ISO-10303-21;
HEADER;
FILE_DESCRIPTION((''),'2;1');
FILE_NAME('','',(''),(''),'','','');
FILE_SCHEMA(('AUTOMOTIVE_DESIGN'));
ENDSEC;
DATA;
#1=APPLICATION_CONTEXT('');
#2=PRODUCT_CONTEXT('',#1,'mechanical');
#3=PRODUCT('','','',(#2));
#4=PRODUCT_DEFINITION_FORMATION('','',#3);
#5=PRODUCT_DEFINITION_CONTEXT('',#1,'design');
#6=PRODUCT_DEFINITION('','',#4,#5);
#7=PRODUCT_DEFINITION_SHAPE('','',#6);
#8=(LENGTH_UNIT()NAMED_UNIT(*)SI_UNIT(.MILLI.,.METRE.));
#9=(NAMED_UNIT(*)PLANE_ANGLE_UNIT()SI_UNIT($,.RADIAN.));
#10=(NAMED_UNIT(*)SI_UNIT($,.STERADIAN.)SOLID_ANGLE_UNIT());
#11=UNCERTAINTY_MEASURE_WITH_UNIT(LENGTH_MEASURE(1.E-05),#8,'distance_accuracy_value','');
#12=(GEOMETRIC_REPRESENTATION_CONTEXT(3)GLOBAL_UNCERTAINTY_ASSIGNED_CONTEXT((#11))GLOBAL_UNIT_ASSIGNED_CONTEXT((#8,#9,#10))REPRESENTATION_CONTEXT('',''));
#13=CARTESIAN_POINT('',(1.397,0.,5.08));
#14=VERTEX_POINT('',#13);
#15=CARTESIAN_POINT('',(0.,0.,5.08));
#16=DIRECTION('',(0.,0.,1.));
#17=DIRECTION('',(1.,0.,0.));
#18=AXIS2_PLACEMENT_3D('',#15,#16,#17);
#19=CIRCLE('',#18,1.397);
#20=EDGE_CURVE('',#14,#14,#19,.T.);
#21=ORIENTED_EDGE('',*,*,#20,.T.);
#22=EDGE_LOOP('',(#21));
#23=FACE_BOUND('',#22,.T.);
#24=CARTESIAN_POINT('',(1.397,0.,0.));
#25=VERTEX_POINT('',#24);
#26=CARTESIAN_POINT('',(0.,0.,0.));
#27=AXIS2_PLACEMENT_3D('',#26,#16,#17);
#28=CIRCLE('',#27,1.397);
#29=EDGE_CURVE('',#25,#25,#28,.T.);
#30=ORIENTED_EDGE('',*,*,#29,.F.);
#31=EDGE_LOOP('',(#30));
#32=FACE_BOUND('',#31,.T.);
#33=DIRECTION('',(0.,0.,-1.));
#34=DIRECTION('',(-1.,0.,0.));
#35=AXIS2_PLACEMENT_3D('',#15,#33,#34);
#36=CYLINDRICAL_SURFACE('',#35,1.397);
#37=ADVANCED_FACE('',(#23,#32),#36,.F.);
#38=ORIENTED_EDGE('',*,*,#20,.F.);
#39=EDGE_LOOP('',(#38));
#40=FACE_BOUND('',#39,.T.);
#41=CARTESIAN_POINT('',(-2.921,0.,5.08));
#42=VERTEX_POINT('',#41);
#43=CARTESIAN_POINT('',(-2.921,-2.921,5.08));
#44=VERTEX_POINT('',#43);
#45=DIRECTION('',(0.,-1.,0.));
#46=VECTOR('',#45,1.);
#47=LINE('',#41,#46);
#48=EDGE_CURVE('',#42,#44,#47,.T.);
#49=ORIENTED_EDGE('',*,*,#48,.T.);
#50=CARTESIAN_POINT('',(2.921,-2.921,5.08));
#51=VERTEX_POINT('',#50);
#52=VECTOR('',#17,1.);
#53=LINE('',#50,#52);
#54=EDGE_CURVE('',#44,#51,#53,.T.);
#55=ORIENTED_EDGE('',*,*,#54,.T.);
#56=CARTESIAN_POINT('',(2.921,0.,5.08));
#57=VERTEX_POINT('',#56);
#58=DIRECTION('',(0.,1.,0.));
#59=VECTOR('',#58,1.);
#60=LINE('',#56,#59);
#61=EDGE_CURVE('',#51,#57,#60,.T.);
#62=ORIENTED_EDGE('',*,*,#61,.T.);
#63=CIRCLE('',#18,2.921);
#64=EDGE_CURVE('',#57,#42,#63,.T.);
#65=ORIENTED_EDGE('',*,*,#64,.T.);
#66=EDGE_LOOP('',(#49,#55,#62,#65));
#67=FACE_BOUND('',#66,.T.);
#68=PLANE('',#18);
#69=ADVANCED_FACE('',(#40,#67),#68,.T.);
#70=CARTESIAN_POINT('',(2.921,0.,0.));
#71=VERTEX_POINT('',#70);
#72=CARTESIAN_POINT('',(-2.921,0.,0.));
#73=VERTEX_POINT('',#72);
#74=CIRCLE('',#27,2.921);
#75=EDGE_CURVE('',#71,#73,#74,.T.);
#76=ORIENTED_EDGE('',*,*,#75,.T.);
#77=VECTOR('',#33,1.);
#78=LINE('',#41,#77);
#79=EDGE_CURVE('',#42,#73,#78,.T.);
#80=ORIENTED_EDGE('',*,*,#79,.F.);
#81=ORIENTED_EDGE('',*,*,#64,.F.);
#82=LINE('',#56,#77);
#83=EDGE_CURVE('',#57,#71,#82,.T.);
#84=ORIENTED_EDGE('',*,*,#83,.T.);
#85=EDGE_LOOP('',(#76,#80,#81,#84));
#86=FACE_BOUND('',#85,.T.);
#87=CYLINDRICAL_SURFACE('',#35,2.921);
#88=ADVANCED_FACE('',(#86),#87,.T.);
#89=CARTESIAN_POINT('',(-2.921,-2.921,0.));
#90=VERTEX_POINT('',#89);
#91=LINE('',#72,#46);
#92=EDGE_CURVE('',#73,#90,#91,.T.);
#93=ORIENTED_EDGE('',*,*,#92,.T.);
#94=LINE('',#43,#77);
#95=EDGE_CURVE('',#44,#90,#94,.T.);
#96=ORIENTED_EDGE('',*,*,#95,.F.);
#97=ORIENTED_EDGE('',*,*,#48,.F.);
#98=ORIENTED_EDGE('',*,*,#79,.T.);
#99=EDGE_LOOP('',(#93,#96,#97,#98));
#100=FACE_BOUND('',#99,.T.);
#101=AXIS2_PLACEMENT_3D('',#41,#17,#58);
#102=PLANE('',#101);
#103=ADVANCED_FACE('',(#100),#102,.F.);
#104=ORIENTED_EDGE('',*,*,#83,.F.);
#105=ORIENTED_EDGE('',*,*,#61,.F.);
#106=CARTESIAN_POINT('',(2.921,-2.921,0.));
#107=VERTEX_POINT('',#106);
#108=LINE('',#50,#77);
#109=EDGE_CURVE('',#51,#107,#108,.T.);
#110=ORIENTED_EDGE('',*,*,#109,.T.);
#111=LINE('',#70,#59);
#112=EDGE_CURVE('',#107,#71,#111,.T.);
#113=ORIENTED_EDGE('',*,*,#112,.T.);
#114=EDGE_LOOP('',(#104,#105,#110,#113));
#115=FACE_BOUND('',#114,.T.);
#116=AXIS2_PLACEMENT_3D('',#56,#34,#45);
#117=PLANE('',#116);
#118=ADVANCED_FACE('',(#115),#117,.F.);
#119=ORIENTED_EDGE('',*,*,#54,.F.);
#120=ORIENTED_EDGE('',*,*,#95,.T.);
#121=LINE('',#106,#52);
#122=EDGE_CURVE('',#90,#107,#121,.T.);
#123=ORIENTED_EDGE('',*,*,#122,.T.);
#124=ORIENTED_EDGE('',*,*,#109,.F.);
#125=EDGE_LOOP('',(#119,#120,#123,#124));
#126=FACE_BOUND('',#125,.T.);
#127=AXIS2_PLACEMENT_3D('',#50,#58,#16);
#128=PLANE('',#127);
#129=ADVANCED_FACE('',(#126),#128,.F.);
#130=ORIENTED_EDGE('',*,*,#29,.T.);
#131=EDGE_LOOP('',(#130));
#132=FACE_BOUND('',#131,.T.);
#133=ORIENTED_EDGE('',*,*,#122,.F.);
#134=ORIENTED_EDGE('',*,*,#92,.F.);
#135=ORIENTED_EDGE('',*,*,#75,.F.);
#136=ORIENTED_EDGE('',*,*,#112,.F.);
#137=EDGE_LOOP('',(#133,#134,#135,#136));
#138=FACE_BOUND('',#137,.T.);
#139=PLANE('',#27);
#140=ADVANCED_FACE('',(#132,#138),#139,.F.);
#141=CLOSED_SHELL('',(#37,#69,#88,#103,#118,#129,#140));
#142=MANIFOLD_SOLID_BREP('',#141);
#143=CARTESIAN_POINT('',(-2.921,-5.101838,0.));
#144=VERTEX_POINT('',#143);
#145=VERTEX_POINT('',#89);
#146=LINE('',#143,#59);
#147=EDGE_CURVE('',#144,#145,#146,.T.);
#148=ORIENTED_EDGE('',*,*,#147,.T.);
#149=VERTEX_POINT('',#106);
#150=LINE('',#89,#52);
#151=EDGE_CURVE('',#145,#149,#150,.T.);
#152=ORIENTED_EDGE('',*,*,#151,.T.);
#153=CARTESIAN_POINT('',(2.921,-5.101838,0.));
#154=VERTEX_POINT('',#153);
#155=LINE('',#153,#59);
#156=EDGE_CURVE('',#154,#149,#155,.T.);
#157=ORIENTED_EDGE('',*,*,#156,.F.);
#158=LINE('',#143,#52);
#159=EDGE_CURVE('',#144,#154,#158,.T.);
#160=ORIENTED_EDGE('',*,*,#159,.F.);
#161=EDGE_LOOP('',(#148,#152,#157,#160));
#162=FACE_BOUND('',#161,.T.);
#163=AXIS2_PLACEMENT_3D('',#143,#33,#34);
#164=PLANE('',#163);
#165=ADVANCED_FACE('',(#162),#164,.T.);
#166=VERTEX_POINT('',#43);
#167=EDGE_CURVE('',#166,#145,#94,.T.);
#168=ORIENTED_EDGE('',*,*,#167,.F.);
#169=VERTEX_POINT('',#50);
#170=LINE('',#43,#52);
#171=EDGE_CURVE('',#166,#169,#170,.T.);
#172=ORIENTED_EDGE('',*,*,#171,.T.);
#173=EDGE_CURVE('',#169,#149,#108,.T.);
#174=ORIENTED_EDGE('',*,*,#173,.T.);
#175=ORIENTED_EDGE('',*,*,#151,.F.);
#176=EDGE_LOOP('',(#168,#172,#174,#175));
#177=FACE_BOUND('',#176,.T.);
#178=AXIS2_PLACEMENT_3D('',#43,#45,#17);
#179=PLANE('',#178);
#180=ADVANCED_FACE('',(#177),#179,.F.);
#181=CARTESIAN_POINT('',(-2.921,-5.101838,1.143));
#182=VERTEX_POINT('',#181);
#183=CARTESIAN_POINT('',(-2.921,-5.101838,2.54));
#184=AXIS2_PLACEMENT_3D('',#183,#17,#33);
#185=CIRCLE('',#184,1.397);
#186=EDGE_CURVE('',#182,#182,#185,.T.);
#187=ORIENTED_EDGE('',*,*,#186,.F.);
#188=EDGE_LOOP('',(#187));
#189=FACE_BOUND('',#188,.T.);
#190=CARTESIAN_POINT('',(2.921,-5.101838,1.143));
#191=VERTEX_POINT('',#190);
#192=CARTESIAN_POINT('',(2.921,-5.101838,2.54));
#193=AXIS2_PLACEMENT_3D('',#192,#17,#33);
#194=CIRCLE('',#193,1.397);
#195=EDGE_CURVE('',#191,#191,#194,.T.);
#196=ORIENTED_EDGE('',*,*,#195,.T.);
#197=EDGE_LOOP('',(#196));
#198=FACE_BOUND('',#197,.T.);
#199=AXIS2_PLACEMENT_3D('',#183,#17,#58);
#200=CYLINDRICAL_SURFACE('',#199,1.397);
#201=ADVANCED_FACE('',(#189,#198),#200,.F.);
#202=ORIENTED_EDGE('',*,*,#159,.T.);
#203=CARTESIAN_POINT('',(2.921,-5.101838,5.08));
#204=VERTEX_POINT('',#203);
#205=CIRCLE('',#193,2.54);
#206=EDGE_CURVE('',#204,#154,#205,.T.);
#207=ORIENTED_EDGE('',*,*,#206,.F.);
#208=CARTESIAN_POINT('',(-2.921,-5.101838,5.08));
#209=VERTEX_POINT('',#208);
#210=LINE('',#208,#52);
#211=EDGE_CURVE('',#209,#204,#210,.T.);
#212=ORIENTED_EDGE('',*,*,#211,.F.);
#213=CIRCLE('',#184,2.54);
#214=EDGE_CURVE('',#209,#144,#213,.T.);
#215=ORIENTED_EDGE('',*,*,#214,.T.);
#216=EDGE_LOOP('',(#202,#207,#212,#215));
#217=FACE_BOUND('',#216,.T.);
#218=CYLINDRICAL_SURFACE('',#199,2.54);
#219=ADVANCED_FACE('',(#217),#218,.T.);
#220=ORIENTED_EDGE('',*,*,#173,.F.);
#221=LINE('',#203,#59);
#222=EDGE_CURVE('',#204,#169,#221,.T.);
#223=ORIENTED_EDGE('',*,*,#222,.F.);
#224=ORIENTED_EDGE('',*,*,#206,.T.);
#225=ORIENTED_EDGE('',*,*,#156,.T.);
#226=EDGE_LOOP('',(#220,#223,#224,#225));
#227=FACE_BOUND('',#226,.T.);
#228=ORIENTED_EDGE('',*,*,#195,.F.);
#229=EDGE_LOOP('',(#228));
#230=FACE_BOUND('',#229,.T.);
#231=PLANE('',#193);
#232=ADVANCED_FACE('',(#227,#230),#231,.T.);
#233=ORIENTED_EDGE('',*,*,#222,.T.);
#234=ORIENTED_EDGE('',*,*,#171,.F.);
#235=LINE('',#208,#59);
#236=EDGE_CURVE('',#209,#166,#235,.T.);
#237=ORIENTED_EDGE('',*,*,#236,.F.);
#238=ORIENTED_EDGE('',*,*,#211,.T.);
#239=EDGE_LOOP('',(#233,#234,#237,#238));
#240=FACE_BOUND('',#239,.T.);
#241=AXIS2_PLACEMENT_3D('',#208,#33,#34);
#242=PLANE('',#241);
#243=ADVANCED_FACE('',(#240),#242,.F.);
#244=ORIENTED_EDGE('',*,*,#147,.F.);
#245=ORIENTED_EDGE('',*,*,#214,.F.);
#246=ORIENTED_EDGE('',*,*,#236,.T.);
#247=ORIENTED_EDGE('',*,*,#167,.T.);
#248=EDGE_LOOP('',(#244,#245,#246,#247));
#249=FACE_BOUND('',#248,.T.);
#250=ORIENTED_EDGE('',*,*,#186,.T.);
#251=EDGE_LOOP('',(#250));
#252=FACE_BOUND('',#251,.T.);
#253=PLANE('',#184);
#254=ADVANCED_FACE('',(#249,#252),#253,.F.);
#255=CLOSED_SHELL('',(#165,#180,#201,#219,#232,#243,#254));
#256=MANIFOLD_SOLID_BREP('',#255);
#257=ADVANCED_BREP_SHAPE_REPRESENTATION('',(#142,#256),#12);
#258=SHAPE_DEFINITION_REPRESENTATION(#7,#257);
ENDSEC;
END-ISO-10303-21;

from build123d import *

# Parameters (mm, degrees)
SKETCH1_R           = 1.397
BOSS_EXTRUDE1_DEPTH = 5.08
SKETCH2_R           = 1.397
BOSS_EXTRUDE2_DEPTH = 2.921


with BuildPart() as part:
    # Sketch1 → Boss-Extrude1 (new body)
    with BuildSketch(Plane.XY):
        with BuildLine():
            Line((-2.921, 0), (-2.921, -2.921))
            Line((-2.921, -2.921), (2.921, -2.921))
            Line((2.921, -2.921), (2.921, 0))
            ThreePointArc((2.921, 0), (0, 2.921), (-2.921, 0))
        make_face()
        Circle(SKETCH1_R, mode=Mode.SUBTRACT)
    extrude(amount=BOSS_EXTRUDE1_DEPTH)


with BuildPart() as body_2:
    # Sketch2 → Boss-Extrude2 (new body, symmetric)
    with BuildSketch(Plane(origin=(0, 0, 0), x_dir=(0, 0, -1), z_dir=(1, 0, 0))):
        with BuildLine():
            Line((-5.08, -2.921), (0, -2.921))
            Line((0, -2.921), (0, -5.101837624))
            ThreePointArc((0, -5.101837624), (-2.54, -7.641837624), (-5.08, -5.101837624))
            Line((-5.08, -5.101837624), (-5.08, -2.921))
        make_face()
        with Locations((-2.54, -5.101837624)):
            Circle(SKETCH2_R, mode=Mode.SUBTRACT)
    extrude(amount=BOSS_EXTRUDE2_DEPTH, both=True)


solid = Compound([part.part, body_2.part])
